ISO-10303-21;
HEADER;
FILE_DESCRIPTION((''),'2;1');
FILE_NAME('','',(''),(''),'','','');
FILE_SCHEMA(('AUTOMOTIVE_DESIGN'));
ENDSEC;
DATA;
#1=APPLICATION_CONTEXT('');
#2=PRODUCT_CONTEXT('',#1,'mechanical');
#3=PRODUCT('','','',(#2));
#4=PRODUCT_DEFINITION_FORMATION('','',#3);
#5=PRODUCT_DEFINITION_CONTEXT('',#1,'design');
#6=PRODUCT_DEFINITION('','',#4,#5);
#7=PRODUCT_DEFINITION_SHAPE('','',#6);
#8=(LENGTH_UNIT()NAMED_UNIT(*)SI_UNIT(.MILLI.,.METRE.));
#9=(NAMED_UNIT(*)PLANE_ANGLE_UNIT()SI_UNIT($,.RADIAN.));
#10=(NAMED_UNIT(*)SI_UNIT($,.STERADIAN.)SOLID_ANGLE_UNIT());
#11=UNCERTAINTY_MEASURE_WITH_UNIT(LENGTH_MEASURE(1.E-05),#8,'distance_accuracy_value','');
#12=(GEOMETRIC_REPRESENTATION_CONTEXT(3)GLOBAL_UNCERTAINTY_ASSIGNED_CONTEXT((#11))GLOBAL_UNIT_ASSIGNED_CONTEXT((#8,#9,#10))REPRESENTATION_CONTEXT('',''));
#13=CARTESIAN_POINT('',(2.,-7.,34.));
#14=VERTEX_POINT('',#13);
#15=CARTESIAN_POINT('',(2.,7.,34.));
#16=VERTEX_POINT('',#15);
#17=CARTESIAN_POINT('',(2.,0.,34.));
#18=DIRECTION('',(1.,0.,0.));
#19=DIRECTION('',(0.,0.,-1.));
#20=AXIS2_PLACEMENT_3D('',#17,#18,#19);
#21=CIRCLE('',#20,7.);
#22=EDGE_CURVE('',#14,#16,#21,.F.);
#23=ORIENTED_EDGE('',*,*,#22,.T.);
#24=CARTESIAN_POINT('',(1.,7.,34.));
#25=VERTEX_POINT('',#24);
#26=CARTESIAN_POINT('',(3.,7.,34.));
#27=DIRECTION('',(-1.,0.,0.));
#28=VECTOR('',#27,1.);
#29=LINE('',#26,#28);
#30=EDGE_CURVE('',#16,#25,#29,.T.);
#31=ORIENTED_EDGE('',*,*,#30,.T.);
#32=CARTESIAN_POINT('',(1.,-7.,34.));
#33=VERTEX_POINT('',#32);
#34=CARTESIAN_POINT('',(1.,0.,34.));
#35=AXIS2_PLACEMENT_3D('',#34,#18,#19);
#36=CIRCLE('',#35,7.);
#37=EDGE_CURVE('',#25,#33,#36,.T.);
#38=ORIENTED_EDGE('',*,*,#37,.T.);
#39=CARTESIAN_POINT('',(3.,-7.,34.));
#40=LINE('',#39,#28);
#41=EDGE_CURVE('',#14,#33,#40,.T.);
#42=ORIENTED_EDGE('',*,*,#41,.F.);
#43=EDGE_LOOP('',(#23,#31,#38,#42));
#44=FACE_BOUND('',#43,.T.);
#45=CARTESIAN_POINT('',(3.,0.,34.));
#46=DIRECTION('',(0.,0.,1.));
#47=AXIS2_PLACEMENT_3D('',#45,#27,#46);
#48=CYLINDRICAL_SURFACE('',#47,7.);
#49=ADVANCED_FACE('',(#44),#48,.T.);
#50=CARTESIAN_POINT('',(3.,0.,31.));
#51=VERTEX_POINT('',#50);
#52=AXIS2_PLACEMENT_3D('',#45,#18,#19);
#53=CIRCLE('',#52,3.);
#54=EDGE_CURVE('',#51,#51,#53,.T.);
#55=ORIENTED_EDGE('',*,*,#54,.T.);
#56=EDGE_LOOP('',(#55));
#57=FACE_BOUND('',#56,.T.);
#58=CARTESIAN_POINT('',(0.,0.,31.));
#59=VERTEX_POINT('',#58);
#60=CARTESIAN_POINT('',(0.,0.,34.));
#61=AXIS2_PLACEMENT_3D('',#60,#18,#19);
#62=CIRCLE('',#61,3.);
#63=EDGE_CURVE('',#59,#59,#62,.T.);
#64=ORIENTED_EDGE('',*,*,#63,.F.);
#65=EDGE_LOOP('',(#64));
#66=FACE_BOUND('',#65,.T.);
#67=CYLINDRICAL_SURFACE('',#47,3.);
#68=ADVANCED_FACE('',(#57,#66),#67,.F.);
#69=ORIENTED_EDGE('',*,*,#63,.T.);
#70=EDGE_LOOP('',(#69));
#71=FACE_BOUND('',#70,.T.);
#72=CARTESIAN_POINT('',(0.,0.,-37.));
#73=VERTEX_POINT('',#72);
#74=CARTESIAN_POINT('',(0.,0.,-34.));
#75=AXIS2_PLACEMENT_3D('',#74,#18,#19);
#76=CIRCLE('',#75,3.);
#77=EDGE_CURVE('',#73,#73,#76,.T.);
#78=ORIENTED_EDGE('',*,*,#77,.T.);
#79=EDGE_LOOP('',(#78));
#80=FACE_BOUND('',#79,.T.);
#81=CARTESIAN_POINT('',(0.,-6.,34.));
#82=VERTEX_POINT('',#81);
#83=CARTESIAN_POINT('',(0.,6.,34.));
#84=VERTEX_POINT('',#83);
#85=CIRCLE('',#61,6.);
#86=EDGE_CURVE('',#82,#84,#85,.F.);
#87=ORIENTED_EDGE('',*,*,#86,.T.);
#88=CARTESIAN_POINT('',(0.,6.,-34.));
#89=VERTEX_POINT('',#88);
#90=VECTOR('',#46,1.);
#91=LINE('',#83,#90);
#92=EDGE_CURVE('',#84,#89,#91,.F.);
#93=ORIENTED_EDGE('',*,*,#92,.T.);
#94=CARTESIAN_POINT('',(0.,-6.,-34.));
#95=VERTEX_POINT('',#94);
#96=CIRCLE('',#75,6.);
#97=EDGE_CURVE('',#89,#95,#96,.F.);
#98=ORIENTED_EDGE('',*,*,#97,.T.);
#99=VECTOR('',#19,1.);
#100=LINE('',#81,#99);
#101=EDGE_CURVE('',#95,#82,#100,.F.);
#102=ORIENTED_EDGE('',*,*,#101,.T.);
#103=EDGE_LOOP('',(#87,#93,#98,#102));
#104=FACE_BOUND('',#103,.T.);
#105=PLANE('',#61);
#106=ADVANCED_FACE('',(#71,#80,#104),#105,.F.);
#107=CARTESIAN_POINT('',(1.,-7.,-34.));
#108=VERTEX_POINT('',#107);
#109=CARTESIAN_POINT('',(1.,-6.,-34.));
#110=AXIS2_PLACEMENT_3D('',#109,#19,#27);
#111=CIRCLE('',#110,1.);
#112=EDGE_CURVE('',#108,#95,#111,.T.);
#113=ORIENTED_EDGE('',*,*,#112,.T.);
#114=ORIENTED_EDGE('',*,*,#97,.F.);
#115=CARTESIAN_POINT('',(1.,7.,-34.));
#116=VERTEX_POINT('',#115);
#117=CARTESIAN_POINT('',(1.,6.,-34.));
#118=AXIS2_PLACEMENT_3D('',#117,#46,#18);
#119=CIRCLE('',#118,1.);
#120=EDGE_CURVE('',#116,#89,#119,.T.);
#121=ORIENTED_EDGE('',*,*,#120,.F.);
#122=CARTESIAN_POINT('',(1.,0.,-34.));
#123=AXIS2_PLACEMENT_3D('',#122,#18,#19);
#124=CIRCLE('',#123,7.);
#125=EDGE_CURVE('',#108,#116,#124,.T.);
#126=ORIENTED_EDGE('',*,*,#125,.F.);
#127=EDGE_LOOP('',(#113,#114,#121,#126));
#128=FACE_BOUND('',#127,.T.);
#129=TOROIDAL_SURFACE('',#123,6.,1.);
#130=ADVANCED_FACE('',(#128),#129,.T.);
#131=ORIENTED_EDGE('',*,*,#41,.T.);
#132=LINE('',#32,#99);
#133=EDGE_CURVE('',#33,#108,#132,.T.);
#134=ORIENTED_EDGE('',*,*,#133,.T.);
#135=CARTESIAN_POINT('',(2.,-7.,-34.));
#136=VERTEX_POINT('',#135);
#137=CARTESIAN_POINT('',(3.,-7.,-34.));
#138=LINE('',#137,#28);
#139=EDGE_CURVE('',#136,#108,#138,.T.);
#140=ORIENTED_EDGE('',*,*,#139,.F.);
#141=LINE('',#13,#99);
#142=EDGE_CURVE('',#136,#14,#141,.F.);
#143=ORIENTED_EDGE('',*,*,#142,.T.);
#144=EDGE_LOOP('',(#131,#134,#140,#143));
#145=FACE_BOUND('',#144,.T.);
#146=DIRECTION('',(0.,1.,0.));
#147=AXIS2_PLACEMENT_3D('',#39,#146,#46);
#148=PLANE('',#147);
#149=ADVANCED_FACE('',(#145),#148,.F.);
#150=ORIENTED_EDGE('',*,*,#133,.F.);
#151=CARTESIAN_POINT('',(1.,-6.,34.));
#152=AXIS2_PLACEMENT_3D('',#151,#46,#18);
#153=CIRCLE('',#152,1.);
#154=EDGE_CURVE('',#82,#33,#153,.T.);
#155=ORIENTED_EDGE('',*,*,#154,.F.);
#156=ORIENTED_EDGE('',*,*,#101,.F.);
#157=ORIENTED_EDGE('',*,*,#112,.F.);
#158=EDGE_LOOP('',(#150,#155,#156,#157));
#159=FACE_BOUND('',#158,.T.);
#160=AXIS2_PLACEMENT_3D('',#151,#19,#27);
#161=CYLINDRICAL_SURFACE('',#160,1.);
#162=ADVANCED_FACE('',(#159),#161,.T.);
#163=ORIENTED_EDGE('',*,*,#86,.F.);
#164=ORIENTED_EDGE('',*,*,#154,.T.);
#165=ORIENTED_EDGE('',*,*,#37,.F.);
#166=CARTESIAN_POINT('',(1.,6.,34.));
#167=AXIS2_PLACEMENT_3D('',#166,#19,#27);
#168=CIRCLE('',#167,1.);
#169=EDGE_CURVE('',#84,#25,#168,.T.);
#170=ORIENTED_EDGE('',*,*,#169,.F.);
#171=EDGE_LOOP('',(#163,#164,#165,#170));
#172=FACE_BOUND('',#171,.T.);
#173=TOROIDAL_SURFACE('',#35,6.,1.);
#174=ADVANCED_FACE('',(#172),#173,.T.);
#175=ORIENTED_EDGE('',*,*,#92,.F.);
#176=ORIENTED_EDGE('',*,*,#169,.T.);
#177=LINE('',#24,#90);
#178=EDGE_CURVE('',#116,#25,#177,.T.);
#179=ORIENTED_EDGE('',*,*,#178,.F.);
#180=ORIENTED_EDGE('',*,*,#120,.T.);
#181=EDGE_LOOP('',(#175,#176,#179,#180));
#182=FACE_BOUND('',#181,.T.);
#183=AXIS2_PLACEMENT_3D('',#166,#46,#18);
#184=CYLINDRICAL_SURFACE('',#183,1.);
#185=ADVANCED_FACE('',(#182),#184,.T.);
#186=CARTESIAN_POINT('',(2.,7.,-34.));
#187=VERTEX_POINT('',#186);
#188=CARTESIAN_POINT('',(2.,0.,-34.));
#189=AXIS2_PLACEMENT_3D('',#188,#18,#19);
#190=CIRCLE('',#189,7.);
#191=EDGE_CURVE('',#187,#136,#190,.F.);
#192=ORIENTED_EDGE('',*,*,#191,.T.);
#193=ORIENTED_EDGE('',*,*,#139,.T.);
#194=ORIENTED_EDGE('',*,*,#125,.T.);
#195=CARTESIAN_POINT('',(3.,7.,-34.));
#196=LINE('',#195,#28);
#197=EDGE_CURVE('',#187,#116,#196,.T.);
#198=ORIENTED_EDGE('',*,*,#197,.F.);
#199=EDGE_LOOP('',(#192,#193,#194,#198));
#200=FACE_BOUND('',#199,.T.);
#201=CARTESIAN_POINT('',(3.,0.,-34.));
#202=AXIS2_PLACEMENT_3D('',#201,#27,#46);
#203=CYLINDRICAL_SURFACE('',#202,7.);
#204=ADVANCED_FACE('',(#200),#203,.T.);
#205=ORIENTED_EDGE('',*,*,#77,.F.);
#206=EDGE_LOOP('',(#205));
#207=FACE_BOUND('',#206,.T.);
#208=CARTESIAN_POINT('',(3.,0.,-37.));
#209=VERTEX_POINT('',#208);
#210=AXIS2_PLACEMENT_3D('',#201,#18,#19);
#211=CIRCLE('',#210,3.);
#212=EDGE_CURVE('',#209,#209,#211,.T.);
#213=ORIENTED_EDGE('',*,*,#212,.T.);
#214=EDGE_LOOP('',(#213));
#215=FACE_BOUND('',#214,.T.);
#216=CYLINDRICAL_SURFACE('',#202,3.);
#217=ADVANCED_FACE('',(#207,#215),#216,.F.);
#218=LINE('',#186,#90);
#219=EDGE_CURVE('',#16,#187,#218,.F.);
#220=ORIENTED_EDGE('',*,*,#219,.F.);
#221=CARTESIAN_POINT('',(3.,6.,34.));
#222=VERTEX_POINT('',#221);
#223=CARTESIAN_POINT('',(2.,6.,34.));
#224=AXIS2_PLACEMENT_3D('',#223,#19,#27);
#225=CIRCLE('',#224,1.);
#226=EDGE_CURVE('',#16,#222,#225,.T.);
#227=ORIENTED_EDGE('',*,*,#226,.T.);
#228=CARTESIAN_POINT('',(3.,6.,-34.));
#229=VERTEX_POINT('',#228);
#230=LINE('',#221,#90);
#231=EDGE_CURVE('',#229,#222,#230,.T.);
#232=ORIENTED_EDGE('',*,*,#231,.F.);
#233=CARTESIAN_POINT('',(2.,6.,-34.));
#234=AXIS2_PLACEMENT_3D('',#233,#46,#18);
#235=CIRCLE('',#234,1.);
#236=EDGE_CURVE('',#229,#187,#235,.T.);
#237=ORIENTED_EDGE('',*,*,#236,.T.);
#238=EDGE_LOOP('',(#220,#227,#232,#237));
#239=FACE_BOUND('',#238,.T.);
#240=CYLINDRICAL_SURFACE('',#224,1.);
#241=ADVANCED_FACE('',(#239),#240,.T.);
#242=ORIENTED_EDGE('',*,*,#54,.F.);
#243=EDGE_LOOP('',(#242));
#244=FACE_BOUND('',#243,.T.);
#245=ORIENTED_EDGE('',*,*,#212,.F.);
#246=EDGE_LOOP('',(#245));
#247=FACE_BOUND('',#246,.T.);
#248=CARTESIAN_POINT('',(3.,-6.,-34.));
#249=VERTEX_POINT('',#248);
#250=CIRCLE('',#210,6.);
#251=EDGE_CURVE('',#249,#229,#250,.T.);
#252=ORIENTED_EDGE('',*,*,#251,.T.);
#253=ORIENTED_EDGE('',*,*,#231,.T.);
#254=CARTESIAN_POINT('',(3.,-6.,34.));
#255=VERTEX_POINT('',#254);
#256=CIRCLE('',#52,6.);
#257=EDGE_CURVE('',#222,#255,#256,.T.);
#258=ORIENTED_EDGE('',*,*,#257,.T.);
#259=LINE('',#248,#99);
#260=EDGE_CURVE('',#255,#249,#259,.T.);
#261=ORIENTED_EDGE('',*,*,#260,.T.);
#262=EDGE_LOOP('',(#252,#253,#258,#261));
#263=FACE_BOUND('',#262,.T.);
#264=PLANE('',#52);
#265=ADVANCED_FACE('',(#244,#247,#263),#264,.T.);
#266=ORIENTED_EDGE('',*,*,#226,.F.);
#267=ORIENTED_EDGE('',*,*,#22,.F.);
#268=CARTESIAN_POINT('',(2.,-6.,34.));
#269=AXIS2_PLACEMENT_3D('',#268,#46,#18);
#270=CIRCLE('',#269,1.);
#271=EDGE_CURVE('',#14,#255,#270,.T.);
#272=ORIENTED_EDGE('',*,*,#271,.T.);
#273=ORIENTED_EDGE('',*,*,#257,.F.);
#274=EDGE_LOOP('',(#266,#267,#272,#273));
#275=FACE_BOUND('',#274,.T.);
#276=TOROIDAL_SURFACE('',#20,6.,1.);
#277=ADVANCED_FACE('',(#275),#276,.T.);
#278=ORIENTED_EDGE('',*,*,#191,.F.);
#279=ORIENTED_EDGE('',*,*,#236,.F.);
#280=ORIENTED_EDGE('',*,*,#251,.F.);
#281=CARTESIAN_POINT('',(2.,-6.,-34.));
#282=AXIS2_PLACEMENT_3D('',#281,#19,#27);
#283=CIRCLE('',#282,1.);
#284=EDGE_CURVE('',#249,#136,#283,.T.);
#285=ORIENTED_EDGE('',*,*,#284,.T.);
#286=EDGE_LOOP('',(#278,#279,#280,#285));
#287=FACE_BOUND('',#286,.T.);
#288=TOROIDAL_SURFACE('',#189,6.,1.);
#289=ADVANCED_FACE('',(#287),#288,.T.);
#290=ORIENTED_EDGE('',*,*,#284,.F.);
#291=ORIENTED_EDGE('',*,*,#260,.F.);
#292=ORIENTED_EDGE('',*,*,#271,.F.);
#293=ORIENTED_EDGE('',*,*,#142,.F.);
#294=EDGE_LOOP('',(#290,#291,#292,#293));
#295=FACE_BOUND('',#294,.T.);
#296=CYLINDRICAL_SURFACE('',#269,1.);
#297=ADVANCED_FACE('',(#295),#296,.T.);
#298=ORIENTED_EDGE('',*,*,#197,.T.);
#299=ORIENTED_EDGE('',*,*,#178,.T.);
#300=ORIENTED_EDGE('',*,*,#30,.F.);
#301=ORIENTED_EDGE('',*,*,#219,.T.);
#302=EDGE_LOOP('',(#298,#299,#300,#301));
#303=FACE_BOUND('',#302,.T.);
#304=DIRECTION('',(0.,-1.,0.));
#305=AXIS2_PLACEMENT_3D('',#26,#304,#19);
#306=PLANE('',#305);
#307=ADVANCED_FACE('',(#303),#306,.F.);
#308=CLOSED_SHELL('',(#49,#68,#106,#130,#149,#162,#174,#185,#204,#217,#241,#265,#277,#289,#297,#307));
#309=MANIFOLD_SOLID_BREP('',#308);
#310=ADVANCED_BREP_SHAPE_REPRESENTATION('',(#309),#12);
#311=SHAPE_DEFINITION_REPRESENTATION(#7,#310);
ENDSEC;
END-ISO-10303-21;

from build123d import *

# Parameters (mm, degrees)
SKETCH_1_R      = 3
EXTRUDE_1_DEPTH = 3
FILLET_1_R      = 1


with BuildPart() as part:
    # 草图1 → 凸台-拉伸1 (new body)
    with BuildSketch(Plane(origin=(0, 0, 0), x_dir=(0, 0, -1), z_dir=(1, 0, 0))):
        with BuildLine():
            Line((-34, 7), (34, 7))
            ThreePointArc((34, 7), (41, 0), (34, -7))
            Line((34, -7), (-34, -7))
            ThreePointArc((-34, -7), (-41, 0), (-34, 7))
        make_face()
        with Locations((-34, 0)):
            Circle(SKETCH_1_R, mode=Mode.SUBTRACT)
        with Locations((34, 0)):
            Circle(SKETCH_1_R, mode=Mode.SUBTRACT)
    extrude(amount=EXTRUDE_1_DEPTH)

    # 圆角1
    fillet_1_edges = [part.edges().sort_by_distance(p)[0] for p in [
        (3, 0, -41),
        (3, 7, 0),
        (3, 0, 41),
        (0, 7, 0),
        (0, 0, -41),
        (0, -7, 0),
        (0, 0, 41),
        (3, -7, 0),
    ]]
    fillet(fillet_1_edges, radius=FILLET_1_R)


solid = part.part
